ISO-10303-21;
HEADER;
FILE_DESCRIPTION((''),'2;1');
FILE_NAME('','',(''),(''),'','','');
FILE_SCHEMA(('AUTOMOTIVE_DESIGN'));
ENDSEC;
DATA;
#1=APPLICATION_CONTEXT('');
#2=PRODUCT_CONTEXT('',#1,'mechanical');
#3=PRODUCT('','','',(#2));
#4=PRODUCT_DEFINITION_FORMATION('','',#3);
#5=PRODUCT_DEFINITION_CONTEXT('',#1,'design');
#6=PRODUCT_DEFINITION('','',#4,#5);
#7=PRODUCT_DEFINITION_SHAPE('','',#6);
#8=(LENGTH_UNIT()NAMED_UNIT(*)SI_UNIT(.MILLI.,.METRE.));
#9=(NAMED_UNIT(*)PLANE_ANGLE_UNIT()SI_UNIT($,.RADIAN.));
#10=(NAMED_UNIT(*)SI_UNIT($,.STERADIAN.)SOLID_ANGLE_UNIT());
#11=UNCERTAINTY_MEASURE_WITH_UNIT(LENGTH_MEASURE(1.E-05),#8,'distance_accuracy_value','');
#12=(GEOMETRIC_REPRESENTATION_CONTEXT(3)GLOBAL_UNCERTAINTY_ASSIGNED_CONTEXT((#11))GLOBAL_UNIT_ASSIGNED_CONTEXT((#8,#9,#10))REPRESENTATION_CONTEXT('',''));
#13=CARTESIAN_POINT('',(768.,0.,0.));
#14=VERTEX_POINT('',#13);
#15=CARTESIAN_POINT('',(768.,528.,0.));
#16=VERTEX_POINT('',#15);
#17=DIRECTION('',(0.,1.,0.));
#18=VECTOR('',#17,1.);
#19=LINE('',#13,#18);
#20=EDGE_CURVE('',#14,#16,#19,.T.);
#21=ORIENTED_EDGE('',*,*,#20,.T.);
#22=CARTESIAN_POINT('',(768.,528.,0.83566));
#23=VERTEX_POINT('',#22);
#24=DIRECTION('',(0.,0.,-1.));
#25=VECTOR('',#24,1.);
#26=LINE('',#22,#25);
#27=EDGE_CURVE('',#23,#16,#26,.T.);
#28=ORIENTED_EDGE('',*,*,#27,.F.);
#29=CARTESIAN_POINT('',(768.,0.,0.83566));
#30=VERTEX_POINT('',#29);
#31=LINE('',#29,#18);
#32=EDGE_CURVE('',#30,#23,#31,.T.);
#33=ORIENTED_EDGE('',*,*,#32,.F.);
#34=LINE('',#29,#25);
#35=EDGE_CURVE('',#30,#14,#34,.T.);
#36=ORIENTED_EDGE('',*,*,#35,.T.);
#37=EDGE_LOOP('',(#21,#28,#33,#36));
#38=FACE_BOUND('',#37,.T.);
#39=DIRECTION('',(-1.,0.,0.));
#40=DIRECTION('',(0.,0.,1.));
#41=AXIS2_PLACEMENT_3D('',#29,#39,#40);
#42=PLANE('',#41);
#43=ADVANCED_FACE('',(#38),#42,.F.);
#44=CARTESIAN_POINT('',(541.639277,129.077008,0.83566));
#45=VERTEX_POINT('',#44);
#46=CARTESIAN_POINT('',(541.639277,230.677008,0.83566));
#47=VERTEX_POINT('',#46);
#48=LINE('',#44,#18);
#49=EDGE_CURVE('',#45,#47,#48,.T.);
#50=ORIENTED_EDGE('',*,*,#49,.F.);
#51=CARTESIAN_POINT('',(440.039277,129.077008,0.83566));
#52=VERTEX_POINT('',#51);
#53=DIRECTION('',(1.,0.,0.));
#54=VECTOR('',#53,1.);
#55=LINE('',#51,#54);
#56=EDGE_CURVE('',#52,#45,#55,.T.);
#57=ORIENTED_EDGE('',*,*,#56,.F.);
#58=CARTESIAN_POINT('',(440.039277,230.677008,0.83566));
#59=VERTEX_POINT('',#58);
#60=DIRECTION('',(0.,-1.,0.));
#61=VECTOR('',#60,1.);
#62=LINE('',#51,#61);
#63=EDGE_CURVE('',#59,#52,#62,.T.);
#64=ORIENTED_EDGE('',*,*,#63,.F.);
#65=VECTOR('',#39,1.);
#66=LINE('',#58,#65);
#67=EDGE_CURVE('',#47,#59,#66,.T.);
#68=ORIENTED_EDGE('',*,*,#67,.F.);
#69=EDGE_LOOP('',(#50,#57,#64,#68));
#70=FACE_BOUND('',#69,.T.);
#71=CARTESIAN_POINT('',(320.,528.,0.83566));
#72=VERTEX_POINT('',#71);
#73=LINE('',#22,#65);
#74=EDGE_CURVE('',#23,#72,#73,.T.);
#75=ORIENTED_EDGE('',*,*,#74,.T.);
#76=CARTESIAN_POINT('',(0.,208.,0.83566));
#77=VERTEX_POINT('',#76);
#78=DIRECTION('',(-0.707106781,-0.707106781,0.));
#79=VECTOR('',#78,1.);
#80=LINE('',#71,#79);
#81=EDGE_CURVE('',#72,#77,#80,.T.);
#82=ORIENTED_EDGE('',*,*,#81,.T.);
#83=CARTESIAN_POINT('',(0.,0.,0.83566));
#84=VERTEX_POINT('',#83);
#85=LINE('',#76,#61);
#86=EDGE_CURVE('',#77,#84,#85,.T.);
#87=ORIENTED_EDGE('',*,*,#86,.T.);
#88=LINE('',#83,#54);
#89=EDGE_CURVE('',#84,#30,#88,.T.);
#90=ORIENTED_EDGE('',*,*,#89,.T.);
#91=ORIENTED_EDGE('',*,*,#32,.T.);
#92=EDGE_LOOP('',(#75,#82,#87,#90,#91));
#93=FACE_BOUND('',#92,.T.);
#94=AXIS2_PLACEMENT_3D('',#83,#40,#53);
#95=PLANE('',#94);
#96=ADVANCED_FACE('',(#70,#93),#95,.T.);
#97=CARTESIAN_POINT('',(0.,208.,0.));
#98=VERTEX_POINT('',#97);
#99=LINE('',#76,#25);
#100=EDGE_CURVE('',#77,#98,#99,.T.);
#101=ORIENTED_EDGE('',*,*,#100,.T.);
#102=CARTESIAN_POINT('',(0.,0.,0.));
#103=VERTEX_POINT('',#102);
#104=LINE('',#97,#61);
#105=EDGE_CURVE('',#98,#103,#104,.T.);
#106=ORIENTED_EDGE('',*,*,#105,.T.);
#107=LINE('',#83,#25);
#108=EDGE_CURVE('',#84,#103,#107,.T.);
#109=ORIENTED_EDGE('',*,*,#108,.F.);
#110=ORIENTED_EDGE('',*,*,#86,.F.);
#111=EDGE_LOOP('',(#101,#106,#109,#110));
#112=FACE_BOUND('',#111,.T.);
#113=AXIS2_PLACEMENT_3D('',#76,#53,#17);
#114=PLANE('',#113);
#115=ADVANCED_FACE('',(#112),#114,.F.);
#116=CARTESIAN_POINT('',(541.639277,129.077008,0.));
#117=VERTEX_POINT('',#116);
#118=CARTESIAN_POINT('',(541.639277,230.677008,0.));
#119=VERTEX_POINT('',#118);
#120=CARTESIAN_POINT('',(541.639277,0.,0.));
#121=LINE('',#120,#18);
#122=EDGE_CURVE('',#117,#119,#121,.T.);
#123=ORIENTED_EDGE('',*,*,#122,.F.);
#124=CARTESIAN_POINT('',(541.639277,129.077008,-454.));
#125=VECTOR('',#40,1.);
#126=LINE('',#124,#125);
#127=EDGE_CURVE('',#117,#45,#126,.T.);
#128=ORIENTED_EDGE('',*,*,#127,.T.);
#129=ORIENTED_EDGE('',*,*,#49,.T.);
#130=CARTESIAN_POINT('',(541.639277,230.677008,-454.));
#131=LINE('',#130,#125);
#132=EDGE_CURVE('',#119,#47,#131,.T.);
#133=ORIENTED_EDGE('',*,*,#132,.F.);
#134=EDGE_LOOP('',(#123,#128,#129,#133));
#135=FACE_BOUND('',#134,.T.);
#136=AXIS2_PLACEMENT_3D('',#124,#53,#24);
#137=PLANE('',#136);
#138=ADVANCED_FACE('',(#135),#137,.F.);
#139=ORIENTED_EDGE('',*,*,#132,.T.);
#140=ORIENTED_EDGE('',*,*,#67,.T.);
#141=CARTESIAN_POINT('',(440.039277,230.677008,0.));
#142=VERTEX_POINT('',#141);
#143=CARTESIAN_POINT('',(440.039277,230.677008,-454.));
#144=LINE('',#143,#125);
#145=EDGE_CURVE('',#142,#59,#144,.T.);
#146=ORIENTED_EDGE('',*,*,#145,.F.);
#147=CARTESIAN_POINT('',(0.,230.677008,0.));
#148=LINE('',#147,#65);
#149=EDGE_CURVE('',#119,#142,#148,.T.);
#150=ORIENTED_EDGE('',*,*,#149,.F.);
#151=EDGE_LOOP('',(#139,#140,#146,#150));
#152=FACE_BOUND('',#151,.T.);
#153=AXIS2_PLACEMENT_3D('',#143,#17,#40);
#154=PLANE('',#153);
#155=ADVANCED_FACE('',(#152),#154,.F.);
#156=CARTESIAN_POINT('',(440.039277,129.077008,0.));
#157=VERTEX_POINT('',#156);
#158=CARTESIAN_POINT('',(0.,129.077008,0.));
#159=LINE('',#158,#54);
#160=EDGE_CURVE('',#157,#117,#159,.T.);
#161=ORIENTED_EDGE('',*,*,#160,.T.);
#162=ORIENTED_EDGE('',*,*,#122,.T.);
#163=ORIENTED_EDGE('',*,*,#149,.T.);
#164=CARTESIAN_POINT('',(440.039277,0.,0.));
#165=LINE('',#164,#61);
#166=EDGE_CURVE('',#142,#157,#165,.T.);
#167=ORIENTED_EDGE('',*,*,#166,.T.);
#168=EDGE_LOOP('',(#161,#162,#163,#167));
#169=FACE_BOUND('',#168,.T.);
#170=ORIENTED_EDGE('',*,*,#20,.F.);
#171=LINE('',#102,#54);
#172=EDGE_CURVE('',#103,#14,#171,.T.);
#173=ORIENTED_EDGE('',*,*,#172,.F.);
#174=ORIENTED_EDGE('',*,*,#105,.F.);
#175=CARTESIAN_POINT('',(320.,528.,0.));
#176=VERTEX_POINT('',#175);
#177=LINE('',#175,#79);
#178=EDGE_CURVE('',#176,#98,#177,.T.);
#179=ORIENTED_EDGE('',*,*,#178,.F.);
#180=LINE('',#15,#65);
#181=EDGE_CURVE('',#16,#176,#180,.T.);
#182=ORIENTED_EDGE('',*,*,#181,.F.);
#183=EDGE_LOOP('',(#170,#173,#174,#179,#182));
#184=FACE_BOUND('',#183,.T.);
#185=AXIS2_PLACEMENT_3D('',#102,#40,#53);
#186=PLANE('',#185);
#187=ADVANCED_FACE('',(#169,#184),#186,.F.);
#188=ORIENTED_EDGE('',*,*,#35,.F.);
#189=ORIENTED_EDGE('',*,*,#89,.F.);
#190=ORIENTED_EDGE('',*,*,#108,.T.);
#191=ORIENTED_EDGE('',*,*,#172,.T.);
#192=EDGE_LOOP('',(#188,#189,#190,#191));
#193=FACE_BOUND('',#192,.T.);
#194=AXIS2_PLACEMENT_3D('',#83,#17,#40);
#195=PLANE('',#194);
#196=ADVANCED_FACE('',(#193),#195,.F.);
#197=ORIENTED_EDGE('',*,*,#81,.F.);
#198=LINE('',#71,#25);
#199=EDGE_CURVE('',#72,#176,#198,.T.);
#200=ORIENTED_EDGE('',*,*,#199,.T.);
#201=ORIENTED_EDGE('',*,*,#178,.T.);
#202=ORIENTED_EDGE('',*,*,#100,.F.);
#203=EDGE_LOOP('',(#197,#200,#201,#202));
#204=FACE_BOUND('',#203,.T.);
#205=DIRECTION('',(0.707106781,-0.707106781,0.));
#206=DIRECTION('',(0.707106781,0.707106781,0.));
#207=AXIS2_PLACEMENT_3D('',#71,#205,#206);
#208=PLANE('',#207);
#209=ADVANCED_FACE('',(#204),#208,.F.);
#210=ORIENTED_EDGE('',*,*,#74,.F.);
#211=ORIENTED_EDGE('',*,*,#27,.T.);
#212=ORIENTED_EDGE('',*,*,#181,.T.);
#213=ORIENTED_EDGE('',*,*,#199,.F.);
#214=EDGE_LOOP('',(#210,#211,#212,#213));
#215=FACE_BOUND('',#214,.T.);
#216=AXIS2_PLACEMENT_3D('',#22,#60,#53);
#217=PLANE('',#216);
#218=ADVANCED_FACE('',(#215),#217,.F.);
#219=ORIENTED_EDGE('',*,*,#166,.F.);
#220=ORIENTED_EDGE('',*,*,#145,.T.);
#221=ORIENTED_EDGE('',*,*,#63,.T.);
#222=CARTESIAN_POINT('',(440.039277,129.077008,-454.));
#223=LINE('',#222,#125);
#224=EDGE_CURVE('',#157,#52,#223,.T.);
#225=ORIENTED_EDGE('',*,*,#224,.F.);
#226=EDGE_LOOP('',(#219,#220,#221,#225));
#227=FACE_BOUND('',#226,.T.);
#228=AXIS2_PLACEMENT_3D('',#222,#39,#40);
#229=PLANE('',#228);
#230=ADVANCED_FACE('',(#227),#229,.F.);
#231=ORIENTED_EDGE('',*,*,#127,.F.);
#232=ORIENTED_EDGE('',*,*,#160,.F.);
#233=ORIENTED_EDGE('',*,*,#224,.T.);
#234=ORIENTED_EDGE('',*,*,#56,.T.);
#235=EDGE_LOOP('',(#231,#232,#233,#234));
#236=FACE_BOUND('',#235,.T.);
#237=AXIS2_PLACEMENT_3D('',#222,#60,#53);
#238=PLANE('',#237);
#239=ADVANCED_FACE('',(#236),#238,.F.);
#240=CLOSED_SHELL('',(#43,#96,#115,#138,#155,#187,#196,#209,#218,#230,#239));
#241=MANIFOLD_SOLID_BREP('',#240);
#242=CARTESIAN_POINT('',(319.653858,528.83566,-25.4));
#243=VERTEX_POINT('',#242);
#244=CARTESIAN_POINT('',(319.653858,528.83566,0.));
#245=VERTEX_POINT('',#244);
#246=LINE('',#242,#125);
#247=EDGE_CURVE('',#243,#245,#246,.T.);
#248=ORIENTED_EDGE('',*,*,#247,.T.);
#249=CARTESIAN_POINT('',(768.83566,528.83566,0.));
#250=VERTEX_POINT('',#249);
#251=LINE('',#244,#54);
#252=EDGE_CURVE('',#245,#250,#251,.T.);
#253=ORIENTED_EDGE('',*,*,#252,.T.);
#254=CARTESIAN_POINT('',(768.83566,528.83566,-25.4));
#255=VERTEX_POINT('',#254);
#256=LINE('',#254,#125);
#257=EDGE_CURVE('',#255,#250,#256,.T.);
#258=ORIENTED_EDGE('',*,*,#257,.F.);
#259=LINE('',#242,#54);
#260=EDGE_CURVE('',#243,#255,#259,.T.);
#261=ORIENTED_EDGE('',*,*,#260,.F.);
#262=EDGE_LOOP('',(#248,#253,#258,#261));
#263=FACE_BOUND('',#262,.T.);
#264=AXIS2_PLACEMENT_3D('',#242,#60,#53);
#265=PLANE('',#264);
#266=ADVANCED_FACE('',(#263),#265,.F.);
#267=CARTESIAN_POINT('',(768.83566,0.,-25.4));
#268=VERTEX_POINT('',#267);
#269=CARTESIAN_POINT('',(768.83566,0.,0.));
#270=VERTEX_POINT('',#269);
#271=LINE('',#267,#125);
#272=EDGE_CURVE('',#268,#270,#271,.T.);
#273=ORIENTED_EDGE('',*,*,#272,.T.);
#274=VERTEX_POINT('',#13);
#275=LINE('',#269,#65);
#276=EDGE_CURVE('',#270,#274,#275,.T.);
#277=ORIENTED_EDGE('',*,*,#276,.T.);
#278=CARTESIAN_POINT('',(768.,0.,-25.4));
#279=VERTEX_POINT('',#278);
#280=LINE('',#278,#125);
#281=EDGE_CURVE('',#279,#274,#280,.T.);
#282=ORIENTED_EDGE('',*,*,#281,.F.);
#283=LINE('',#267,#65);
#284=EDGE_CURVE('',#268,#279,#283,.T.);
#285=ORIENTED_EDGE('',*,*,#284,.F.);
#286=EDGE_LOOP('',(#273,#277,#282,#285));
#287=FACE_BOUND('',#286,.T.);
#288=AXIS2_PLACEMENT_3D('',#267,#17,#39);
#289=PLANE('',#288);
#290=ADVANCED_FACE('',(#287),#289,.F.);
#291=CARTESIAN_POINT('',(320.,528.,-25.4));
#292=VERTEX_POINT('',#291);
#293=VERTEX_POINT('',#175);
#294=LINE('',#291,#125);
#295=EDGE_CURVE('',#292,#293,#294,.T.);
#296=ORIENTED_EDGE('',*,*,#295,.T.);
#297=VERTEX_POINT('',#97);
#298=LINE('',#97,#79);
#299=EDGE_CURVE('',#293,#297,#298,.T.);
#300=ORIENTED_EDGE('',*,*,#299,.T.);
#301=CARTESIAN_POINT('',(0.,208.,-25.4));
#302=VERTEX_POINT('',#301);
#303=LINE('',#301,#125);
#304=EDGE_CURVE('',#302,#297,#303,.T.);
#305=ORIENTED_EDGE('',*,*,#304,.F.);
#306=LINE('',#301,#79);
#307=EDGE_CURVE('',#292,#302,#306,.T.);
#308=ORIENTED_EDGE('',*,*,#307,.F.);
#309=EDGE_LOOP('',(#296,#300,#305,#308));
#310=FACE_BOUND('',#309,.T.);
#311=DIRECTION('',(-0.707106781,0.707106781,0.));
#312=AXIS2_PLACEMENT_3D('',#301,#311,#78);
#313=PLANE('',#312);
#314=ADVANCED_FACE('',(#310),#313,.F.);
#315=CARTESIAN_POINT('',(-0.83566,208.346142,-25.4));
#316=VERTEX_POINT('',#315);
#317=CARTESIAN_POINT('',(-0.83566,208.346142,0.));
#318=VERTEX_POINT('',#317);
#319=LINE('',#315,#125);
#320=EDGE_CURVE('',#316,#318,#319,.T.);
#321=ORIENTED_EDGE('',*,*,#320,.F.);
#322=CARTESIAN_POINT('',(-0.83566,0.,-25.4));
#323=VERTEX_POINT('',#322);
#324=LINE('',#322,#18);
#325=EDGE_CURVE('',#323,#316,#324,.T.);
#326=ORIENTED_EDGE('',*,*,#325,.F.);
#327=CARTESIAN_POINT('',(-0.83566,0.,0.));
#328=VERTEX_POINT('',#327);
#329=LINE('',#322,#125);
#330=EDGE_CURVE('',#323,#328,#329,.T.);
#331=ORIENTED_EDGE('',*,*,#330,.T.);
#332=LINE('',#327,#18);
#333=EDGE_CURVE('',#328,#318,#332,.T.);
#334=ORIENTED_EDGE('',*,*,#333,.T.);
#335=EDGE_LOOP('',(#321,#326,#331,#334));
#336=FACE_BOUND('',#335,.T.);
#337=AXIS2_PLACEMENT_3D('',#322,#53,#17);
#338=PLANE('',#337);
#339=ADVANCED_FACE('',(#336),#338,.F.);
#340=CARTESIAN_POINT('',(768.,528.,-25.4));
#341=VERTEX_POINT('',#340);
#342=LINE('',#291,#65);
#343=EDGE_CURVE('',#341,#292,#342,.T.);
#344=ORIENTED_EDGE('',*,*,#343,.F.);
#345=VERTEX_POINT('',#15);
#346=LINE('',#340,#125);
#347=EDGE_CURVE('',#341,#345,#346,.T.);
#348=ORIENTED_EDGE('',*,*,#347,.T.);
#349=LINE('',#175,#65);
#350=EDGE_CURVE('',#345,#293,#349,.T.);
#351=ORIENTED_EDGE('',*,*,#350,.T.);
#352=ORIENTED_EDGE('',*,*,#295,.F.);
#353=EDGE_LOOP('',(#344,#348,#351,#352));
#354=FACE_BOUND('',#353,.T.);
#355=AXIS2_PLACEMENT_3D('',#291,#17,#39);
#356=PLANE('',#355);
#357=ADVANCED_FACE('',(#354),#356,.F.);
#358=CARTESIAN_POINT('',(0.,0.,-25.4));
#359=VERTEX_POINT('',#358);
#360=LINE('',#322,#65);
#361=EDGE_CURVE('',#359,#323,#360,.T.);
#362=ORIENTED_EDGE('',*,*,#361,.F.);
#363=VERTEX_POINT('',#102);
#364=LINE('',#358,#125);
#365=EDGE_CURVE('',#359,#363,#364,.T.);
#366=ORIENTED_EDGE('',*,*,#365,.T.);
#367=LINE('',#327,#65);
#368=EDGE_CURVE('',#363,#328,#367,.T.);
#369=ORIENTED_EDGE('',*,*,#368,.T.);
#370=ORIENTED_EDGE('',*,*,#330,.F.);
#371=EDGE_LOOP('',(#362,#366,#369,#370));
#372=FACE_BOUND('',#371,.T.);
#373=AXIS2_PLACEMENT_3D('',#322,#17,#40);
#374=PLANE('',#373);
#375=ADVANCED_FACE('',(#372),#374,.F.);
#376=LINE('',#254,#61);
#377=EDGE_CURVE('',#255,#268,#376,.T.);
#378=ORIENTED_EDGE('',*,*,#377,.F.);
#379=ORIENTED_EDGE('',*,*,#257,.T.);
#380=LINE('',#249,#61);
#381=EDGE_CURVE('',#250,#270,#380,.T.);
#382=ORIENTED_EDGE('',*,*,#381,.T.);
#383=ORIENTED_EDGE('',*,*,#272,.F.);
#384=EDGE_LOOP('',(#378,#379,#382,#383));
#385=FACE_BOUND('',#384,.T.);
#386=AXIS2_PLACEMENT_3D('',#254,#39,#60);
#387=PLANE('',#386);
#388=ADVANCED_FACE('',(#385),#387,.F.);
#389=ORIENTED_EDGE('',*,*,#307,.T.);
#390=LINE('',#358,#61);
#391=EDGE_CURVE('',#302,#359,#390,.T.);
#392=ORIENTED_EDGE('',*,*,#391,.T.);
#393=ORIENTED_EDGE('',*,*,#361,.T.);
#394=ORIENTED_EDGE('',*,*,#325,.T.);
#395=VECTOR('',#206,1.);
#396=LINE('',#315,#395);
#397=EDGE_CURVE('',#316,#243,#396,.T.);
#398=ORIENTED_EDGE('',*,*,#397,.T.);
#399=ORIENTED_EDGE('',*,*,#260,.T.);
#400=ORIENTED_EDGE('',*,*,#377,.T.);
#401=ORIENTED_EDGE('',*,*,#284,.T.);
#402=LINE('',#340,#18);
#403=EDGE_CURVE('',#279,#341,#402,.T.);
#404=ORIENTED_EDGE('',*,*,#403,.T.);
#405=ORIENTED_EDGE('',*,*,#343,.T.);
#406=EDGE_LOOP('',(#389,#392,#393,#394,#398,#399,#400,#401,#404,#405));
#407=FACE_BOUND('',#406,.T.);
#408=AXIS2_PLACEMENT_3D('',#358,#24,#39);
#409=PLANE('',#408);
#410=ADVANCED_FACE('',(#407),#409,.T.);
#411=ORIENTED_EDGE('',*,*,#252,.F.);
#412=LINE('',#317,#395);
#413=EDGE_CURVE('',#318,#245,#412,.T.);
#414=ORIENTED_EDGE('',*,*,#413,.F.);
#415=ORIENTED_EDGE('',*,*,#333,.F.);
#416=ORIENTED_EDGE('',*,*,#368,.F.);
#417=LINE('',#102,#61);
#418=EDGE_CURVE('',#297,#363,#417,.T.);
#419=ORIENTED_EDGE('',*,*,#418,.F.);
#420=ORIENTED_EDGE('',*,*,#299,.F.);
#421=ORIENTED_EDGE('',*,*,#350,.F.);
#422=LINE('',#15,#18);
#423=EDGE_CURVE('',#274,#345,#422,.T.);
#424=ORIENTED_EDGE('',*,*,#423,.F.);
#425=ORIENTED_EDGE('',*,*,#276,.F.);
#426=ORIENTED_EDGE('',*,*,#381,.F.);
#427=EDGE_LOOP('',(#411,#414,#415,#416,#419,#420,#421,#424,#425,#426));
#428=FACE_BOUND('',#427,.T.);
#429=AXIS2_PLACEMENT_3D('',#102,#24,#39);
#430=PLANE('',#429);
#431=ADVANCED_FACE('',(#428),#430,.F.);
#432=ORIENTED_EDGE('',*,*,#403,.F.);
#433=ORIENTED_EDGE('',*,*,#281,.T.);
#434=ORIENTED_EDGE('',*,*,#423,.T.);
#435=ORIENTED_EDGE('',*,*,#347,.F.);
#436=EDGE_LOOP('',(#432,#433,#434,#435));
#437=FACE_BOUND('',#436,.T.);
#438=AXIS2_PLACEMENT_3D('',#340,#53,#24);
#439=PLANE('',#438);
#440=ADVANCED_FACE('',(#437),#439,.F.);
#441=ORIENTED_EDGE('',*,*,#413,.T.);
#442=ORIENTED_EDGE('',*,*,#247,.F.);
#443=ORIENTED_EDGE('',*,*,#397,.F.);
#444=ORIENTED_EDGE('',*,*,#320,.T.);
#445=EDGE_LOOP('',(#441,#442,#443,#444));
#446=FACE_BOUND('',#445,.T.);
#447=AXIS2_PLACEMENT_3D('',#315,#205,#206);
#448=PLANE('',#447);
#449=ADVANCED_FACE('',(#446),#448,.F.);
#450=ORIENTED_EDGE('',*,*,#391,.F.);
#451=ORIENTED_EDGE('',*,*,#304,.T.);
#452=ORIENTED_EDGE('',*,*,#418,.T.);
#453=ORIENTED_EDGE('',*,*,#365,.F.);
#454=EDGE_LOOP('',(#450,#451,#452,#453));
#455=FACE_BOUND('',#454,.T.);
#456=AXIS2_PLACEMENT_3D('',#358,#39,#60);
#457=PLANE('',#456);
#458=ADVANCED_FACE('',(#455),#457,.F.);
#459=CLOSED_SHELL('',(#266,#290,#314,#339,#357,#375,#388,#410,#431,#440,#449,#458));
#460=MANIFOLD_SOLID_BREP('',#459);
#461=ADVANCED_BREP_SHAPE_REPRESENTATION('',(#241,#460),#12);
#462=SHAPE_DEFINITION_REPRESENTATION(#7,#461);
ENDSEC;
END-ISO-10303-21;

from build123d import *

# Parameters (mm, degrees)
SALIENTE_EXTRUIR1_DEPTH = 0.83566
CROQUIS2_W              = 101.6
CROQUIS2_H              = 101.6
CORTAR_EXTRUIR1_DEPTH   = 454.83566
SALIENTE_EXTRUIR2_DEPTH = 25.4


with BuildPart() as part:
    # Croquis1 → Saliente-Extruir1 (new body)
    with BuildSketch(Plane.XY):
        Polygon((0, 0), (768, 0), (768, 528), (320, 528), (0, 208), align=None)
    extrude(amount=SALIENTE_EXTRUIR1_DEPTH)

    # Croquis2 → Cortar-Extruir1 (cut)
    with BuildSketch(Plane.XY.offset(0.83566)):
        with Locations((490.839276622, 179.877007982)):
            Rectangle(CROQUIS2_W, CROQUIS2_H)
    extrude(amount=-CORTAR_EXTRUIR1_DEPTH, mode=Mode.SUBTRACT)


with BuildPart() as body_2:
    # Croquis3 → Saliente-Extruir2 (new body)
    with BuildSketch(Plane(origin=(0, 0, 0), x_dir=(-1, 0, 0), z_dir=(0, 0, -1))):
        Polygon((0.83566, 0), (0.83566, 208.346141706), (-319.653858294, 528.83566), (-768.83566, 528.83566), (-768.83566, 0), (-768, 0), (-768, 528), (-320, 528), (0, 208), (0, 0), align=None)
    extrude(amount=SALIENTE_EXTRUIR2_DEPTH)


solid = Compound([part.part, body_2.part])
